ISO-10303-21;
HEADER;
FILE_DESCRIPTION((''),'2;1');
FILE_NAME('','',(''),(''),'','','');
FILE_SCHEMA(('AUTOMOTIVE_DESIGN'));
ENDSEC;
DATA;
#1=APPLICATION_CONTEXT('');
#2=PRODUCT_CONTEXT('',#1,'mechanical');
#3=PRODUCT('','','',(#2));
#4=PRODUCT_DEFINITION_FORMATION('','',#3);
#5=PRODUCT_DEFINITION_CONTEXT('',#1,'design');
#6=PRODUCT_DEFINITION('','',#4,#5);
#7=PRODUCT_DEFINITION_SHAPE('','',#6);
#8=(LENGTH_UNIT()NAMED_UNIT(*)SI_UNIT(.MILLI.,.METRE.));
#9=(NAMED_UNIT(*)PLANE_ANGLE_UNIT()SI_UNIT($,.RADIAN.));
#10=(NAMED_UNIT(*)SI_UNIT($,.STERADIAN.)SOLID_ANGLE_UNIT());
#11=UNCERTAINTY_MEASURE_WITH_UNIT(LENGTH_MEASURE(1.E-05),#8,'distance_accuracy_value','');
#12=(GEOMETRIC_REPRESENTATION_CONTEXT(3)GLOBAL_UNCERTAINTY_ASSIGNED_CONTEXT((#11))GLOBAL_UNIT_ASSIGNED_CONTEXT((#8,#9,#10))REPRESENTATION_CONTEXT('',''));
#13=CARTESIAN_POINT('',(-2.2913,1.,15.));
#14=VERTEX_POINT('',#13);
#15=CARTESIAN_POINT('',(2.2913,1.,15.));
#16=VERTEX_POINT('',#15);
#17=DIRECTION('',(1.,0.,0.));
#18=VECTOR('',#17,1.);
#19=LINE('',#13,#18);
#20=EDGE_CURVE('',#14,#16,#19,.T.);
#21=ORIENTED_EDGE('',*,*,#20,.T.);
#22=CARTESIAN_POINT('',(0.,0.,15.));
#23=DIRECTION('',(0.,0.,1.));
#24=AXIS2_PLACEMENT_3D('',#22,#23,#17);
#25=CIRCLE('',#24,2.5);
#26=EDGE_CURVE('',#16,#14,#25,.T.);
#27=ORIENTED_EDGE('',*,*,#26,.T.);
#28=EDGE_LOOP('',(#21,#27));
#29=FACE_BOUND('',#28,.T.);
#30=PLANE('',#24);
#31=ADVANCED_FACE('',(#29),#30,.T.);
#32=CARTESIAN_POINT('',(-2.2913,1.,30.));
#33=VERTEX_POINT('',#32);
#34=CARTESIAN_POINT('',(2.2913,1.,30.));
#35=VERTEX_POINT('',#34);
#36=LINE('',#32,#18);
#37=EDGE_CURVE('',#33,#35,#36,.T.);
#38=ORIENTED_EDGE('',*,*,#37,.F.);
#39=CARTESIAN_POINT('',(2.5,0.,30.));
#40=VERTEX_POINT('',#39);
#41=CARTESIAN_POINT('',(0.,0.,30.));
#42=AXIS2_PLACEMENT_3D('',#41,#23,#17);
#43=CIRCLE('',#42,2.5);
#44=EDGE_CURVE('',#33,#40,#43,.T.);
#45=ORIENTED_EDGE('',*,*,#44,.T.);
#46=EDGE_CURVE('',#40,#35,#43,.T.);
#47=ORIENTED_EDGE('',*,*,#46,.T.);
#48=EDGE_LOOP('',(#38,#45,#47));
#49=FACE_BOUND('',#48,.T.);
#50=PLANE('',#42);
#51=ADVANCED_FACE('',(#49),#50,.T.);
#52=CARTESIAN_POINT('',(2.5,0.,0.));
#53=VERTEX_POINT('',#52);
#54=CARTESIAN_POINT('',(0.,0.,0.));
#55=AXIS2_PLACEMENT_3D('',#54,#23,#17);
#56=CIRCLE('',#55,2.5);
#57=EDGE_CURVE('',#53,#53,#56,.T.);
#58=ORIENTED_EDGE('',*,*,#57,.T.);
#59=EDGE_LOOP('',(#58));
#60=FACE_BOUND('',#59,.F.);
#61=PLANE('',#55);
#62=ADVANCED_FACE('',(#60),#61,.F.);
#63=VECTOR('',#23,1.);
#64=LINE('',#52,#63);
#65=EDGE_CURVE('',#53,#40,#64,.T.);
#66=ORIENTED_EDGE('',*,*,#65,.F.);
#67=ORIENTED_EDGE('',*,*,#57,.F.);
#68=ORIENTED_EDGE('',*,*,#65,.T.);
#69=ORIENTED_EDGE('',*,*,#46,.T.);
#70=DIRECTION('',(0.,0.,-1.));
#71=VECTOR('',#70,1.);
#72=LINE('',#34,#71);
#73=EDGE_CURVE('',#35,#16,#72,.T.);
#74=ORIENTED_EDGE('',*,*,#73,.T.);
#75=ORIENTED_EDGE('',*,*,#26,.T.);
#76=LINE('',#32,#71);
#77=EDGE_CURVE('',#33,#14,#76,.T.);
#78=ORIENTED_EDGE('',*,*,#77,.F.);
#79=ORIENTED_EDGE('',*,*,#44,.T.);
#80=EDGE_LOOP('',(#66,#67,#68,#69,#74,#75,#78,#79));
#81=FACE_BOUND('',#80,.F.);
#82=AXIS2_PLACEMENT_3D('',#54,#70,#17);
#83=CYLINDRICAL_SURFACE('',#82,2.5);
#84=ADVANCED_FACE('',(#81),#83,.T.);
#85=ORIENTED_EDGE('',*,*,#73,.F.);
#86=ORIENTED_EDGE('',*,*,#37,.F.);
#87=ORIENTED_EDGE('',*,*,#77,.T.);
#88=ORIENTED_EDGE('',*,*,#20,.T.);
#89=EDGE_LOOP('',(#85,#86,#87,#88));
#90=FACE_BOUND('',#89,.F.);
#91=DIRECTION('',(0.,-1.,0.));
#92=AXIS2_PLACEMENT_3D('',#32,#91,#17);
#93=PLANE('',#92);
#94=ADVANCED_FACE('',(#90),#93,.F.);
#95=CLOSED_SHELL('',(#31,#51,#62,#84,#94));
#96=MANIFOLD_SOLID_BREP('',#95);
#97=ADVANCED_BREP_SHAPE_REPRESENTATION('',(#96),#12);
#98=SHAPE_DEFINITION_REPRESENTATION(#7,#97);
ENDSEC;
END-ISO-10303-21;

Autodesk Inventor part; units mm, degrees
ref_plane "YZ Plane" through (0, 0, 0) normal (1, 0, 0) x (0, 1, 0)
ref_plane "XZ Plane" through (0, 0, 0) normal (0, 1, 0) x (-1, 0, 0)
ref_plane "XY Plane" through (0, 0, 0) normal (0, 0, 1) x (1, 0, 0)
sketch "Sketch1" plane through (0, 0, 0) normal (0, 0, 1) x (1, 0, 0)
  circle A0 centre (0, 0) radius 2.5
  dimension "d0" = 5
extrude "Extrusion1" add sketch "Sketch1" along normal blind 30
sketch "Sketch2" plane through (0, 0, 30) normal (0, 0, 1) x (1, 0, 0)
  line L0 (-2.2913, 1) -> (2.2913, 1)
  circle A0 centre (0, 0) radius 2.5 projected
  dimension "d3" = 1
extrude "Extrusion2" cut sketch "Sketch2" against normal blind 15 contours A0 L0 picked at (0.534, 1.3064)
properties part number "Stepper Motor Axle" material "Stainless Steel"
